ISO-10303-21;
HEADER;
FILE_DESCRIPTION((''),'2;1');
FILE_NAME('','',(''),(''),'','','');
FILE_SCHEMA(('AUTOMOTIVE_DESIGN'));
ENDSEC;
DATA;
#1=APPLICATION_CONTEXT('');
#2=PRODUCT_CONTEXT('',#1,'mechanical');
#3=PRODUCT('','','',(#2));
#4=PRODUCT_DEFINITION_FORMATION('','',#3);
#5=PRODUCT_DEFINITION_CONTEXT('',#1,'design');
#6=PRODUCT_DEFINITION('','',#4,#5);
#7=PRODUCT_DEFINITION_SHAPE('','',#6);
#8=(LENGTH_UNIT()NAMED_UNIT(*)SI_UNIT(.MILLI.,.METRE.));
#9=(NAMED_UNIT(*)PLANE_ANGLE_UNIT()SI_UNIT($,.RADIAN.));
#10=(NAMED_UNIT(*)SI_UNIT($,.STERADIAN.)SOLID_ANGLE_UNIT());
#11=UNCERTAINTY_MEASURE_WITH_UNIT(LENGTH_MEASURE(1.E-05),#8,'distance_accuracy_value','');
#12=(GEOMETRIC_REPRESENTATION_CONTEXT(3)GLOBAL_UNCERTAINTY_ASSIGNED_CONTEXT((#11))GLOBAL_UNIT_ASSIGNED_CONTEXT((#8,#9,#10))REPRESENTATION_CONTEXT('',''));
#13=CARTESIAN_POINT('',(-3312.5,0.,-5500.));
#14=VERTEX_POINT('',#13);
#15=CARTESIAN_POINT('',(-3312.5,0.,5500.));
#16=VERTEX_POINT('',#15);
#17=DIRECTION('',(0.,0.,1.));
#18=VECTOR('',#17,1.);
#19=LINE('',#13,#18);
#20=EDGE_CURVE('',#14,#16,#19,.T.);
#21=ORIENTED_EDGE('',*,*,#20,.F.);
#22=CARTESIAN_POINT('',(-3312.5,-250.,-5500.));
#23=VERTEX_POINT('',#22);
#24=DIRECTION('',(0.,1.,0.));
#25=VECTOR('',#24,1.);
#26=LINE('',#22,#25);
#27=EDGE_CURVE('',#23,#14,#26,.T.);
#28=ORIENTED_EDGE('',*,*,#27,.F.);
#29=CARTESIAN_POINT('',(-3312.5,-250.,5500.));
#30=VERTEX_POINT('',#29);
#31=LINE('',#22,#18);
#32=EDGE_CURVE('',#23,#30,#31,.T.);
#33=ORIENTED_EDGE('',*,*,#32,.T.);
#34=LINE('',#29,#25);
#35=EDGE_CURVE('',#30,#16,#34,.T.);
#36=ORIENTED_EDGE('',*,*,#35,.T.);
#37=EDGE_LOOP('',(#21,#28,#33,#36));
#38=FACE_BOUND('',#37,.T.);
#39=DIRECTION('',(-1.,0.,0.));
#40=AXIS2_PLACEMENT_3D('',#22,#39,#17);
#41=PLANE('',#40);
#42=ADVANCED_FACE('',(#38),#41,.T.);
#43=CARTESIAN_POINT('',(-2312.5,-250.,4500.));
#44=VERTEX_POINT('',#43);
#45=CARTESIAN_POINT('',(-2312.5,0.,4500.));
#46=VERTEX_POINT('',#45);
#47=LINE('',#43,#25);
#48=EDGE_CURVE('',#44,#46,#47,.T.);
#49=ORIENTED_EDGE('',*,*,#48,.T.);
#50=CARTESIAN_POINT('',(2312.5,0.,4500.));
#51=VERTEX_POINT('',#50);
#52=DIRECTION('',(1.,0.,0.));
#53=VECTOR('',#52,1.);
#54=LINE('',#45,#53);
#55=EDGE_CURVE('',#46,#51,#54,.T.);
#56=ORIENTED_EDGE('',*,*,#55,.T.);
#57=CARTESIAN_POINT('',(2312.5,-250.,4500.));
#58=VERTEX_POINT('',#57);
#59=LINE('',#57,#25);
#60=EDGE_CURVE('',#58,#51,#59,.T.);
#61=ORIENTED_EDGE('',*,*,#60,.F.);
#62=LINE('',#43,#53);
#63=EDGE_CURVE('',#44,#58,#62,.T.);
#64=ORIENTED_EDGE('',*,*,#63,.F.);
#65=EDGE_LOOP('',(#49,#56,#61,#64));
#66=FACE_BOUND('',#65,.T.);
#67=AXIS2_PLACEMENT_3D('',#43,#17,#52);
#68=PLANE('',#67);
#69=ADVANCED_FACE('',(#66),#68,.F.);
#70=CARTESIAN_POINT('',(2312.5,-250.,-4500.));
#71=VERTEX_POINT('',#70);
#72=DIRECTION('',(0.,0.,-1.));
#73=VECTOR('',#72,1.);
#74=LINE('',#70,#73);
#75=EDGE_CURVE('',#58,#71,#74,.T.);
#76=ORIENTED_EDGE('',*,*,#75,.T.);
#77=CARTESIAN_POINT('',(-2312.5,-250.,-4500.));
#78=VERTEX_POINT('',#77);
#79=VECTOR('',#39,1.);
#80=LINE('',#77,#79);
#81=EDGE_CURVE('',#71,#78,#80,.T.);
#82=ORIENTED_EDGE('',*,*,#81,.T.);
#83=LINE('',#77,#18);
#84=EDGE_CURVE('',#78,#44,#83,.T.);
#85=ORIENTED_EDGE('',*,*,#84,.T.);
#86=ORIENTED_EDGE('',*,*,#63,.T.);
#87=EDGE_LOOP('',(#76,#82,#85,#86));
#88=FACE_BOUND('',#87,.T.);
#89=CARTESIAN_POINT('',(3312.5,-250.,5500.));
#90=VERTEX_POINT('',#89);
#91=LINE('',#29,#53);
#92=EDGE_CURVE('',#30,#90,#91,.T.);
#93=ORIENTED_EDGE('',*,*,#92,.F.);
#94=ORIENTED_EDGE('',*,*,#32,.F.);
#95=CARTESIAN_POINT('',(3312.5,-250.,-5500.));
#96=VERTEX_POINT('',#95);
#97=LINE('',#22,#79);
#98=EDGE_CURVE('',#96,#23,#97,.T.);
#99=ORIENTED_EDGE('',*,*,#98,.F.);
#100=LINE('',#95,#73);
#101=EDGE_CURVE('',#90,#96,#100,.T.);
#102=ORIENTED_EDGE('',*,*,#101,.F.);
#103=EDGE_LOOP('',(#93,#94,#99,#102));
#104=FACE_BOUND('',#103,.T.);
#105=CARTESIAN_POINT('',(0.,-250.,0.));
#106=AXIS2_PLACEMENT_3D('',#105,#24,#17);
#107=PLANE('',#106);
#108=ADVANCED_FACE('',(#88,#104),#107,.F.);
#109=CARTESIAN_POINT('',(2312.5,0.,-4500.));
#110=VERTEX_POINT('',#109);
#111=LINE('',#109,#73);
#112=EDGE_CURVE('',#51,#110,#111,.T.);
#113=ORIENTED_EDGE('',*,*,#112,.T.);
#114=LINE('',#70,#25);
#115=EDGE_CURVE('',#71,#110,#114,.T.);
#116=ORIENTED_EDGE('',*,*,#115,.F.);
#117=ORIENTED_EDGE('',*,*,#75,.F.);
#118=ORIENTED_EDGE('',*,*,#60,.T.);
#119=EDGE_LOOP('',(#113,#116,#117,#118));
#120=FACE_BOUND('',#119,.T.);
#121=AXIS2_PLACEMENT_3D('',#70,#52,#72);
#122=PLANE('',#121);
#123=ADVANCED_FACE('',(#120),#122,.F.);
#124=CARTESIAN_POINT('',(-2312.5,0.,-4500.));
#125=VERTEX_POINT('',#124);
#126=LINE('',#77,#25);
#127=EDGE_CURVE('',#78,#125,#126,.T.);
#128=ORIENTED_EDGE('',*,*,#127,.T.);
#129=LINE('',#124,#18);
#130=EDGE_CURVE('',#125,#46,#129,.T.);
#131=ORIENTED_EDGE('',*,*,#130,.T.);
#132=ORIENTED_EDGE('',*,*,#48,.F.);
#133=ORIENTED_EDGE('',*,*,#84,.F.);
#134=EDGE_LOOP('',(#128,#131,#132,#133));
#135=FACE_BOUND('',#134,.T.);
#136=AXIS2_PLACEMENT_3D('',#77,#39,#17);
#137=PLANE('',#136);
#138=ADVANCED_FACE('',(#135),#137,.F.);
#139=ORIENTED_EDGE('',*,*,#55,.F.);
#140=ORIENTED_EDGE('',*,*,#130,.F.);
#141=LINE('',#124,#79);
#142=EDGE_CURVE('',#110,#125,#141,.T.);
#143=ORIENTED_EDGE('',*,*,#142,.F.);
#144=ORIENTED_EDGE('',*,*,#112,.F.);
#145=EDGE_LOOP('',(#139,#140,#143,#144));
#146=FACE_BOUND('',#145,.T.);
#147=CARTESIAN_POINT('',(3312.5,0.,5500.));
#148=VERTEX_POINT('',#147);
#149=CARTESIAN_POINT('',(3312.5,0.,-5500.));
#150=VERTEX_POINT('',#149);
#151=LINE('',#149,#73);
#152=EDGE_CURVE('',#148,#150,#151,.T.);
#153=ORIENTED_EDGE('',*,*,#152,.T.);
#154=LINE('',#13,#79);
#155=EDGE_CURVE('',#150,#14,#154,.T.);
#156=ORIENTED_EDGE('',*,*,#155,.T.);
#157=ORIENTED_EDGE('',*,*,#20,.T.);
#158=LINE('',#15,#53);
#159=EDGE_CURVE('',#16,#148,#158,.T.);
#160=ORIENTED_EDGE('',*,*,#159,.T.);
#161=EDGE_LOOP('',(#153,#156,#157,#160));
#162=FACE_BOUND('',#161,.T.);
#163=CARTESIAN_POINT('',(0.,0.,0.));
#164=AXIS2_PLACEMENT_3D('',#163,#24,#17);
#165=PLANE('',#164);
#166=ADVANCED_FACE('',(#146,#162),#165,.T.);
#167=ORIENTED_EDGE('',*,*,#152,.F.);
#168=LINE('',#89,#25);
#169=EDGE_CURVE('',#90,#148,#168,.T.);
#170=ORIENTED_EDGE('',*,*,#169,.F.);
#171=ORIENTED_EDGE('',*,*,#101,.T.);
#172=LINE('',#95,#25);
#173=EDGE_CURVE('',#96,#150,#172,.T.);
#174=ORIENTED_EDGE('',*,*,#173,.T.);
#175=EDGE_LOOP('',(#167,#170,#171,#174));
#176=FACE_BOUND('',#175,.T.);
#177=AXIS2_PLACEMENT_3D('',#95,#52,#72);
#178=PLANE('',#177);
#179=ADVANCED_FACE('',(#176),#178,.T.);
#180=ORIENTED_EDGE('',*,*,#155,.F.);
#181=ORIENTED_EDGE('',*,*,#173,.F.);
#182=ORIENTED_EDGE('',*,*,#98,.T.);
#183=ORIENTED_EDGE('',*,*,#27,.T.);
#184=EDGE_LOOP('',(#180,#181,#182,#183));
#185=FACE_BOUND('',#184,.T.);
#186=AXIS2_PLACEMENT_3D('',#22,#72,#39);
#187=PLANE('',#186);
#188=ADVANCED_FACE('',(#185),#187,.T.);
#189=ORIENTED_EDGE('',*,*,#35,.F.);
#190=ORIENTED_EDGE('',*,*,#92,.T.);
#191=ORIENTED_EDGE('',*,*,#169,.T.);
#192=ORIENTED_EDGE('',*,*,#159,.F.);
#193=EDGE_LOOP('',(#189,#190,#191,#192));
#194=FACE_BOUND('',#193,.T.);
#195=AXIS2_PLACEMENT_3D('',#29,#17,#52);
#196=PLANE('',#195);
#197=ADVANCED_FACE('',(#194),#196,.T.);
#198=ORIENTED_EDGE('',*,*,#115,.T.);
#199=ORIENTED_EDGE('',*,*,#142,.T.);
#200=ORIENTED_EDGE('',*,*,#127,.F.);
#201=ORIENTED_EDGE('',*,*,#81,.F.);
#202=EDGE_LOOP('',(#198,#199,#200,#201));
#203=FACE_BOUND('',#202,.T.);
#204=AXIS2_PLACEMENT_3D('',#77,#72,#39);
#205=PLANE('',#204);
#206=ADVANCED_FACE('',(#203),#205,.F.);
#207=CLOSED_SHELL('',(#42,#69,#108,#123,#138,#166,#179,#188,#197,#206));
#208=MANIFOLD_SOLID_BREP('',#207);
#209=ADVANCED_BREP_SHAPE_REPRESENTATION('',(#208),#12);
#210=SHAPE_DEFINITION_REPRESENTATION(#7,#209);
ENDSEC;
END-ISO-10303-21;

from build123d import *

# Parameters (mm, degrees)
SKETCH_1_W      = 6625
SKETCH_1_H      = 11000
SKETCH_1_W_2    = 4625
SKETCH_1_H_2    = 9000
EXTRUDE_1_DEPTH = 250


with BuildPart() as part:
    # Эскиз1 → Бобышка-Вытянуть1 (new body)
    with BuildSketch(Plane(origin=(0, 0, 0), x_dir=(1, 0, 0), z_dir=(0, 1, 0))):
        Rectangle(SKETCH_1_W, SKETCH_1_H)
        Rectangle(SKETCH_1_W_2, SKETCH_1_H_2, mode=Mode.SUBTRACT)
    extrude(amount=-EXTRUDE_1_DEPTH)


solid = part.part
